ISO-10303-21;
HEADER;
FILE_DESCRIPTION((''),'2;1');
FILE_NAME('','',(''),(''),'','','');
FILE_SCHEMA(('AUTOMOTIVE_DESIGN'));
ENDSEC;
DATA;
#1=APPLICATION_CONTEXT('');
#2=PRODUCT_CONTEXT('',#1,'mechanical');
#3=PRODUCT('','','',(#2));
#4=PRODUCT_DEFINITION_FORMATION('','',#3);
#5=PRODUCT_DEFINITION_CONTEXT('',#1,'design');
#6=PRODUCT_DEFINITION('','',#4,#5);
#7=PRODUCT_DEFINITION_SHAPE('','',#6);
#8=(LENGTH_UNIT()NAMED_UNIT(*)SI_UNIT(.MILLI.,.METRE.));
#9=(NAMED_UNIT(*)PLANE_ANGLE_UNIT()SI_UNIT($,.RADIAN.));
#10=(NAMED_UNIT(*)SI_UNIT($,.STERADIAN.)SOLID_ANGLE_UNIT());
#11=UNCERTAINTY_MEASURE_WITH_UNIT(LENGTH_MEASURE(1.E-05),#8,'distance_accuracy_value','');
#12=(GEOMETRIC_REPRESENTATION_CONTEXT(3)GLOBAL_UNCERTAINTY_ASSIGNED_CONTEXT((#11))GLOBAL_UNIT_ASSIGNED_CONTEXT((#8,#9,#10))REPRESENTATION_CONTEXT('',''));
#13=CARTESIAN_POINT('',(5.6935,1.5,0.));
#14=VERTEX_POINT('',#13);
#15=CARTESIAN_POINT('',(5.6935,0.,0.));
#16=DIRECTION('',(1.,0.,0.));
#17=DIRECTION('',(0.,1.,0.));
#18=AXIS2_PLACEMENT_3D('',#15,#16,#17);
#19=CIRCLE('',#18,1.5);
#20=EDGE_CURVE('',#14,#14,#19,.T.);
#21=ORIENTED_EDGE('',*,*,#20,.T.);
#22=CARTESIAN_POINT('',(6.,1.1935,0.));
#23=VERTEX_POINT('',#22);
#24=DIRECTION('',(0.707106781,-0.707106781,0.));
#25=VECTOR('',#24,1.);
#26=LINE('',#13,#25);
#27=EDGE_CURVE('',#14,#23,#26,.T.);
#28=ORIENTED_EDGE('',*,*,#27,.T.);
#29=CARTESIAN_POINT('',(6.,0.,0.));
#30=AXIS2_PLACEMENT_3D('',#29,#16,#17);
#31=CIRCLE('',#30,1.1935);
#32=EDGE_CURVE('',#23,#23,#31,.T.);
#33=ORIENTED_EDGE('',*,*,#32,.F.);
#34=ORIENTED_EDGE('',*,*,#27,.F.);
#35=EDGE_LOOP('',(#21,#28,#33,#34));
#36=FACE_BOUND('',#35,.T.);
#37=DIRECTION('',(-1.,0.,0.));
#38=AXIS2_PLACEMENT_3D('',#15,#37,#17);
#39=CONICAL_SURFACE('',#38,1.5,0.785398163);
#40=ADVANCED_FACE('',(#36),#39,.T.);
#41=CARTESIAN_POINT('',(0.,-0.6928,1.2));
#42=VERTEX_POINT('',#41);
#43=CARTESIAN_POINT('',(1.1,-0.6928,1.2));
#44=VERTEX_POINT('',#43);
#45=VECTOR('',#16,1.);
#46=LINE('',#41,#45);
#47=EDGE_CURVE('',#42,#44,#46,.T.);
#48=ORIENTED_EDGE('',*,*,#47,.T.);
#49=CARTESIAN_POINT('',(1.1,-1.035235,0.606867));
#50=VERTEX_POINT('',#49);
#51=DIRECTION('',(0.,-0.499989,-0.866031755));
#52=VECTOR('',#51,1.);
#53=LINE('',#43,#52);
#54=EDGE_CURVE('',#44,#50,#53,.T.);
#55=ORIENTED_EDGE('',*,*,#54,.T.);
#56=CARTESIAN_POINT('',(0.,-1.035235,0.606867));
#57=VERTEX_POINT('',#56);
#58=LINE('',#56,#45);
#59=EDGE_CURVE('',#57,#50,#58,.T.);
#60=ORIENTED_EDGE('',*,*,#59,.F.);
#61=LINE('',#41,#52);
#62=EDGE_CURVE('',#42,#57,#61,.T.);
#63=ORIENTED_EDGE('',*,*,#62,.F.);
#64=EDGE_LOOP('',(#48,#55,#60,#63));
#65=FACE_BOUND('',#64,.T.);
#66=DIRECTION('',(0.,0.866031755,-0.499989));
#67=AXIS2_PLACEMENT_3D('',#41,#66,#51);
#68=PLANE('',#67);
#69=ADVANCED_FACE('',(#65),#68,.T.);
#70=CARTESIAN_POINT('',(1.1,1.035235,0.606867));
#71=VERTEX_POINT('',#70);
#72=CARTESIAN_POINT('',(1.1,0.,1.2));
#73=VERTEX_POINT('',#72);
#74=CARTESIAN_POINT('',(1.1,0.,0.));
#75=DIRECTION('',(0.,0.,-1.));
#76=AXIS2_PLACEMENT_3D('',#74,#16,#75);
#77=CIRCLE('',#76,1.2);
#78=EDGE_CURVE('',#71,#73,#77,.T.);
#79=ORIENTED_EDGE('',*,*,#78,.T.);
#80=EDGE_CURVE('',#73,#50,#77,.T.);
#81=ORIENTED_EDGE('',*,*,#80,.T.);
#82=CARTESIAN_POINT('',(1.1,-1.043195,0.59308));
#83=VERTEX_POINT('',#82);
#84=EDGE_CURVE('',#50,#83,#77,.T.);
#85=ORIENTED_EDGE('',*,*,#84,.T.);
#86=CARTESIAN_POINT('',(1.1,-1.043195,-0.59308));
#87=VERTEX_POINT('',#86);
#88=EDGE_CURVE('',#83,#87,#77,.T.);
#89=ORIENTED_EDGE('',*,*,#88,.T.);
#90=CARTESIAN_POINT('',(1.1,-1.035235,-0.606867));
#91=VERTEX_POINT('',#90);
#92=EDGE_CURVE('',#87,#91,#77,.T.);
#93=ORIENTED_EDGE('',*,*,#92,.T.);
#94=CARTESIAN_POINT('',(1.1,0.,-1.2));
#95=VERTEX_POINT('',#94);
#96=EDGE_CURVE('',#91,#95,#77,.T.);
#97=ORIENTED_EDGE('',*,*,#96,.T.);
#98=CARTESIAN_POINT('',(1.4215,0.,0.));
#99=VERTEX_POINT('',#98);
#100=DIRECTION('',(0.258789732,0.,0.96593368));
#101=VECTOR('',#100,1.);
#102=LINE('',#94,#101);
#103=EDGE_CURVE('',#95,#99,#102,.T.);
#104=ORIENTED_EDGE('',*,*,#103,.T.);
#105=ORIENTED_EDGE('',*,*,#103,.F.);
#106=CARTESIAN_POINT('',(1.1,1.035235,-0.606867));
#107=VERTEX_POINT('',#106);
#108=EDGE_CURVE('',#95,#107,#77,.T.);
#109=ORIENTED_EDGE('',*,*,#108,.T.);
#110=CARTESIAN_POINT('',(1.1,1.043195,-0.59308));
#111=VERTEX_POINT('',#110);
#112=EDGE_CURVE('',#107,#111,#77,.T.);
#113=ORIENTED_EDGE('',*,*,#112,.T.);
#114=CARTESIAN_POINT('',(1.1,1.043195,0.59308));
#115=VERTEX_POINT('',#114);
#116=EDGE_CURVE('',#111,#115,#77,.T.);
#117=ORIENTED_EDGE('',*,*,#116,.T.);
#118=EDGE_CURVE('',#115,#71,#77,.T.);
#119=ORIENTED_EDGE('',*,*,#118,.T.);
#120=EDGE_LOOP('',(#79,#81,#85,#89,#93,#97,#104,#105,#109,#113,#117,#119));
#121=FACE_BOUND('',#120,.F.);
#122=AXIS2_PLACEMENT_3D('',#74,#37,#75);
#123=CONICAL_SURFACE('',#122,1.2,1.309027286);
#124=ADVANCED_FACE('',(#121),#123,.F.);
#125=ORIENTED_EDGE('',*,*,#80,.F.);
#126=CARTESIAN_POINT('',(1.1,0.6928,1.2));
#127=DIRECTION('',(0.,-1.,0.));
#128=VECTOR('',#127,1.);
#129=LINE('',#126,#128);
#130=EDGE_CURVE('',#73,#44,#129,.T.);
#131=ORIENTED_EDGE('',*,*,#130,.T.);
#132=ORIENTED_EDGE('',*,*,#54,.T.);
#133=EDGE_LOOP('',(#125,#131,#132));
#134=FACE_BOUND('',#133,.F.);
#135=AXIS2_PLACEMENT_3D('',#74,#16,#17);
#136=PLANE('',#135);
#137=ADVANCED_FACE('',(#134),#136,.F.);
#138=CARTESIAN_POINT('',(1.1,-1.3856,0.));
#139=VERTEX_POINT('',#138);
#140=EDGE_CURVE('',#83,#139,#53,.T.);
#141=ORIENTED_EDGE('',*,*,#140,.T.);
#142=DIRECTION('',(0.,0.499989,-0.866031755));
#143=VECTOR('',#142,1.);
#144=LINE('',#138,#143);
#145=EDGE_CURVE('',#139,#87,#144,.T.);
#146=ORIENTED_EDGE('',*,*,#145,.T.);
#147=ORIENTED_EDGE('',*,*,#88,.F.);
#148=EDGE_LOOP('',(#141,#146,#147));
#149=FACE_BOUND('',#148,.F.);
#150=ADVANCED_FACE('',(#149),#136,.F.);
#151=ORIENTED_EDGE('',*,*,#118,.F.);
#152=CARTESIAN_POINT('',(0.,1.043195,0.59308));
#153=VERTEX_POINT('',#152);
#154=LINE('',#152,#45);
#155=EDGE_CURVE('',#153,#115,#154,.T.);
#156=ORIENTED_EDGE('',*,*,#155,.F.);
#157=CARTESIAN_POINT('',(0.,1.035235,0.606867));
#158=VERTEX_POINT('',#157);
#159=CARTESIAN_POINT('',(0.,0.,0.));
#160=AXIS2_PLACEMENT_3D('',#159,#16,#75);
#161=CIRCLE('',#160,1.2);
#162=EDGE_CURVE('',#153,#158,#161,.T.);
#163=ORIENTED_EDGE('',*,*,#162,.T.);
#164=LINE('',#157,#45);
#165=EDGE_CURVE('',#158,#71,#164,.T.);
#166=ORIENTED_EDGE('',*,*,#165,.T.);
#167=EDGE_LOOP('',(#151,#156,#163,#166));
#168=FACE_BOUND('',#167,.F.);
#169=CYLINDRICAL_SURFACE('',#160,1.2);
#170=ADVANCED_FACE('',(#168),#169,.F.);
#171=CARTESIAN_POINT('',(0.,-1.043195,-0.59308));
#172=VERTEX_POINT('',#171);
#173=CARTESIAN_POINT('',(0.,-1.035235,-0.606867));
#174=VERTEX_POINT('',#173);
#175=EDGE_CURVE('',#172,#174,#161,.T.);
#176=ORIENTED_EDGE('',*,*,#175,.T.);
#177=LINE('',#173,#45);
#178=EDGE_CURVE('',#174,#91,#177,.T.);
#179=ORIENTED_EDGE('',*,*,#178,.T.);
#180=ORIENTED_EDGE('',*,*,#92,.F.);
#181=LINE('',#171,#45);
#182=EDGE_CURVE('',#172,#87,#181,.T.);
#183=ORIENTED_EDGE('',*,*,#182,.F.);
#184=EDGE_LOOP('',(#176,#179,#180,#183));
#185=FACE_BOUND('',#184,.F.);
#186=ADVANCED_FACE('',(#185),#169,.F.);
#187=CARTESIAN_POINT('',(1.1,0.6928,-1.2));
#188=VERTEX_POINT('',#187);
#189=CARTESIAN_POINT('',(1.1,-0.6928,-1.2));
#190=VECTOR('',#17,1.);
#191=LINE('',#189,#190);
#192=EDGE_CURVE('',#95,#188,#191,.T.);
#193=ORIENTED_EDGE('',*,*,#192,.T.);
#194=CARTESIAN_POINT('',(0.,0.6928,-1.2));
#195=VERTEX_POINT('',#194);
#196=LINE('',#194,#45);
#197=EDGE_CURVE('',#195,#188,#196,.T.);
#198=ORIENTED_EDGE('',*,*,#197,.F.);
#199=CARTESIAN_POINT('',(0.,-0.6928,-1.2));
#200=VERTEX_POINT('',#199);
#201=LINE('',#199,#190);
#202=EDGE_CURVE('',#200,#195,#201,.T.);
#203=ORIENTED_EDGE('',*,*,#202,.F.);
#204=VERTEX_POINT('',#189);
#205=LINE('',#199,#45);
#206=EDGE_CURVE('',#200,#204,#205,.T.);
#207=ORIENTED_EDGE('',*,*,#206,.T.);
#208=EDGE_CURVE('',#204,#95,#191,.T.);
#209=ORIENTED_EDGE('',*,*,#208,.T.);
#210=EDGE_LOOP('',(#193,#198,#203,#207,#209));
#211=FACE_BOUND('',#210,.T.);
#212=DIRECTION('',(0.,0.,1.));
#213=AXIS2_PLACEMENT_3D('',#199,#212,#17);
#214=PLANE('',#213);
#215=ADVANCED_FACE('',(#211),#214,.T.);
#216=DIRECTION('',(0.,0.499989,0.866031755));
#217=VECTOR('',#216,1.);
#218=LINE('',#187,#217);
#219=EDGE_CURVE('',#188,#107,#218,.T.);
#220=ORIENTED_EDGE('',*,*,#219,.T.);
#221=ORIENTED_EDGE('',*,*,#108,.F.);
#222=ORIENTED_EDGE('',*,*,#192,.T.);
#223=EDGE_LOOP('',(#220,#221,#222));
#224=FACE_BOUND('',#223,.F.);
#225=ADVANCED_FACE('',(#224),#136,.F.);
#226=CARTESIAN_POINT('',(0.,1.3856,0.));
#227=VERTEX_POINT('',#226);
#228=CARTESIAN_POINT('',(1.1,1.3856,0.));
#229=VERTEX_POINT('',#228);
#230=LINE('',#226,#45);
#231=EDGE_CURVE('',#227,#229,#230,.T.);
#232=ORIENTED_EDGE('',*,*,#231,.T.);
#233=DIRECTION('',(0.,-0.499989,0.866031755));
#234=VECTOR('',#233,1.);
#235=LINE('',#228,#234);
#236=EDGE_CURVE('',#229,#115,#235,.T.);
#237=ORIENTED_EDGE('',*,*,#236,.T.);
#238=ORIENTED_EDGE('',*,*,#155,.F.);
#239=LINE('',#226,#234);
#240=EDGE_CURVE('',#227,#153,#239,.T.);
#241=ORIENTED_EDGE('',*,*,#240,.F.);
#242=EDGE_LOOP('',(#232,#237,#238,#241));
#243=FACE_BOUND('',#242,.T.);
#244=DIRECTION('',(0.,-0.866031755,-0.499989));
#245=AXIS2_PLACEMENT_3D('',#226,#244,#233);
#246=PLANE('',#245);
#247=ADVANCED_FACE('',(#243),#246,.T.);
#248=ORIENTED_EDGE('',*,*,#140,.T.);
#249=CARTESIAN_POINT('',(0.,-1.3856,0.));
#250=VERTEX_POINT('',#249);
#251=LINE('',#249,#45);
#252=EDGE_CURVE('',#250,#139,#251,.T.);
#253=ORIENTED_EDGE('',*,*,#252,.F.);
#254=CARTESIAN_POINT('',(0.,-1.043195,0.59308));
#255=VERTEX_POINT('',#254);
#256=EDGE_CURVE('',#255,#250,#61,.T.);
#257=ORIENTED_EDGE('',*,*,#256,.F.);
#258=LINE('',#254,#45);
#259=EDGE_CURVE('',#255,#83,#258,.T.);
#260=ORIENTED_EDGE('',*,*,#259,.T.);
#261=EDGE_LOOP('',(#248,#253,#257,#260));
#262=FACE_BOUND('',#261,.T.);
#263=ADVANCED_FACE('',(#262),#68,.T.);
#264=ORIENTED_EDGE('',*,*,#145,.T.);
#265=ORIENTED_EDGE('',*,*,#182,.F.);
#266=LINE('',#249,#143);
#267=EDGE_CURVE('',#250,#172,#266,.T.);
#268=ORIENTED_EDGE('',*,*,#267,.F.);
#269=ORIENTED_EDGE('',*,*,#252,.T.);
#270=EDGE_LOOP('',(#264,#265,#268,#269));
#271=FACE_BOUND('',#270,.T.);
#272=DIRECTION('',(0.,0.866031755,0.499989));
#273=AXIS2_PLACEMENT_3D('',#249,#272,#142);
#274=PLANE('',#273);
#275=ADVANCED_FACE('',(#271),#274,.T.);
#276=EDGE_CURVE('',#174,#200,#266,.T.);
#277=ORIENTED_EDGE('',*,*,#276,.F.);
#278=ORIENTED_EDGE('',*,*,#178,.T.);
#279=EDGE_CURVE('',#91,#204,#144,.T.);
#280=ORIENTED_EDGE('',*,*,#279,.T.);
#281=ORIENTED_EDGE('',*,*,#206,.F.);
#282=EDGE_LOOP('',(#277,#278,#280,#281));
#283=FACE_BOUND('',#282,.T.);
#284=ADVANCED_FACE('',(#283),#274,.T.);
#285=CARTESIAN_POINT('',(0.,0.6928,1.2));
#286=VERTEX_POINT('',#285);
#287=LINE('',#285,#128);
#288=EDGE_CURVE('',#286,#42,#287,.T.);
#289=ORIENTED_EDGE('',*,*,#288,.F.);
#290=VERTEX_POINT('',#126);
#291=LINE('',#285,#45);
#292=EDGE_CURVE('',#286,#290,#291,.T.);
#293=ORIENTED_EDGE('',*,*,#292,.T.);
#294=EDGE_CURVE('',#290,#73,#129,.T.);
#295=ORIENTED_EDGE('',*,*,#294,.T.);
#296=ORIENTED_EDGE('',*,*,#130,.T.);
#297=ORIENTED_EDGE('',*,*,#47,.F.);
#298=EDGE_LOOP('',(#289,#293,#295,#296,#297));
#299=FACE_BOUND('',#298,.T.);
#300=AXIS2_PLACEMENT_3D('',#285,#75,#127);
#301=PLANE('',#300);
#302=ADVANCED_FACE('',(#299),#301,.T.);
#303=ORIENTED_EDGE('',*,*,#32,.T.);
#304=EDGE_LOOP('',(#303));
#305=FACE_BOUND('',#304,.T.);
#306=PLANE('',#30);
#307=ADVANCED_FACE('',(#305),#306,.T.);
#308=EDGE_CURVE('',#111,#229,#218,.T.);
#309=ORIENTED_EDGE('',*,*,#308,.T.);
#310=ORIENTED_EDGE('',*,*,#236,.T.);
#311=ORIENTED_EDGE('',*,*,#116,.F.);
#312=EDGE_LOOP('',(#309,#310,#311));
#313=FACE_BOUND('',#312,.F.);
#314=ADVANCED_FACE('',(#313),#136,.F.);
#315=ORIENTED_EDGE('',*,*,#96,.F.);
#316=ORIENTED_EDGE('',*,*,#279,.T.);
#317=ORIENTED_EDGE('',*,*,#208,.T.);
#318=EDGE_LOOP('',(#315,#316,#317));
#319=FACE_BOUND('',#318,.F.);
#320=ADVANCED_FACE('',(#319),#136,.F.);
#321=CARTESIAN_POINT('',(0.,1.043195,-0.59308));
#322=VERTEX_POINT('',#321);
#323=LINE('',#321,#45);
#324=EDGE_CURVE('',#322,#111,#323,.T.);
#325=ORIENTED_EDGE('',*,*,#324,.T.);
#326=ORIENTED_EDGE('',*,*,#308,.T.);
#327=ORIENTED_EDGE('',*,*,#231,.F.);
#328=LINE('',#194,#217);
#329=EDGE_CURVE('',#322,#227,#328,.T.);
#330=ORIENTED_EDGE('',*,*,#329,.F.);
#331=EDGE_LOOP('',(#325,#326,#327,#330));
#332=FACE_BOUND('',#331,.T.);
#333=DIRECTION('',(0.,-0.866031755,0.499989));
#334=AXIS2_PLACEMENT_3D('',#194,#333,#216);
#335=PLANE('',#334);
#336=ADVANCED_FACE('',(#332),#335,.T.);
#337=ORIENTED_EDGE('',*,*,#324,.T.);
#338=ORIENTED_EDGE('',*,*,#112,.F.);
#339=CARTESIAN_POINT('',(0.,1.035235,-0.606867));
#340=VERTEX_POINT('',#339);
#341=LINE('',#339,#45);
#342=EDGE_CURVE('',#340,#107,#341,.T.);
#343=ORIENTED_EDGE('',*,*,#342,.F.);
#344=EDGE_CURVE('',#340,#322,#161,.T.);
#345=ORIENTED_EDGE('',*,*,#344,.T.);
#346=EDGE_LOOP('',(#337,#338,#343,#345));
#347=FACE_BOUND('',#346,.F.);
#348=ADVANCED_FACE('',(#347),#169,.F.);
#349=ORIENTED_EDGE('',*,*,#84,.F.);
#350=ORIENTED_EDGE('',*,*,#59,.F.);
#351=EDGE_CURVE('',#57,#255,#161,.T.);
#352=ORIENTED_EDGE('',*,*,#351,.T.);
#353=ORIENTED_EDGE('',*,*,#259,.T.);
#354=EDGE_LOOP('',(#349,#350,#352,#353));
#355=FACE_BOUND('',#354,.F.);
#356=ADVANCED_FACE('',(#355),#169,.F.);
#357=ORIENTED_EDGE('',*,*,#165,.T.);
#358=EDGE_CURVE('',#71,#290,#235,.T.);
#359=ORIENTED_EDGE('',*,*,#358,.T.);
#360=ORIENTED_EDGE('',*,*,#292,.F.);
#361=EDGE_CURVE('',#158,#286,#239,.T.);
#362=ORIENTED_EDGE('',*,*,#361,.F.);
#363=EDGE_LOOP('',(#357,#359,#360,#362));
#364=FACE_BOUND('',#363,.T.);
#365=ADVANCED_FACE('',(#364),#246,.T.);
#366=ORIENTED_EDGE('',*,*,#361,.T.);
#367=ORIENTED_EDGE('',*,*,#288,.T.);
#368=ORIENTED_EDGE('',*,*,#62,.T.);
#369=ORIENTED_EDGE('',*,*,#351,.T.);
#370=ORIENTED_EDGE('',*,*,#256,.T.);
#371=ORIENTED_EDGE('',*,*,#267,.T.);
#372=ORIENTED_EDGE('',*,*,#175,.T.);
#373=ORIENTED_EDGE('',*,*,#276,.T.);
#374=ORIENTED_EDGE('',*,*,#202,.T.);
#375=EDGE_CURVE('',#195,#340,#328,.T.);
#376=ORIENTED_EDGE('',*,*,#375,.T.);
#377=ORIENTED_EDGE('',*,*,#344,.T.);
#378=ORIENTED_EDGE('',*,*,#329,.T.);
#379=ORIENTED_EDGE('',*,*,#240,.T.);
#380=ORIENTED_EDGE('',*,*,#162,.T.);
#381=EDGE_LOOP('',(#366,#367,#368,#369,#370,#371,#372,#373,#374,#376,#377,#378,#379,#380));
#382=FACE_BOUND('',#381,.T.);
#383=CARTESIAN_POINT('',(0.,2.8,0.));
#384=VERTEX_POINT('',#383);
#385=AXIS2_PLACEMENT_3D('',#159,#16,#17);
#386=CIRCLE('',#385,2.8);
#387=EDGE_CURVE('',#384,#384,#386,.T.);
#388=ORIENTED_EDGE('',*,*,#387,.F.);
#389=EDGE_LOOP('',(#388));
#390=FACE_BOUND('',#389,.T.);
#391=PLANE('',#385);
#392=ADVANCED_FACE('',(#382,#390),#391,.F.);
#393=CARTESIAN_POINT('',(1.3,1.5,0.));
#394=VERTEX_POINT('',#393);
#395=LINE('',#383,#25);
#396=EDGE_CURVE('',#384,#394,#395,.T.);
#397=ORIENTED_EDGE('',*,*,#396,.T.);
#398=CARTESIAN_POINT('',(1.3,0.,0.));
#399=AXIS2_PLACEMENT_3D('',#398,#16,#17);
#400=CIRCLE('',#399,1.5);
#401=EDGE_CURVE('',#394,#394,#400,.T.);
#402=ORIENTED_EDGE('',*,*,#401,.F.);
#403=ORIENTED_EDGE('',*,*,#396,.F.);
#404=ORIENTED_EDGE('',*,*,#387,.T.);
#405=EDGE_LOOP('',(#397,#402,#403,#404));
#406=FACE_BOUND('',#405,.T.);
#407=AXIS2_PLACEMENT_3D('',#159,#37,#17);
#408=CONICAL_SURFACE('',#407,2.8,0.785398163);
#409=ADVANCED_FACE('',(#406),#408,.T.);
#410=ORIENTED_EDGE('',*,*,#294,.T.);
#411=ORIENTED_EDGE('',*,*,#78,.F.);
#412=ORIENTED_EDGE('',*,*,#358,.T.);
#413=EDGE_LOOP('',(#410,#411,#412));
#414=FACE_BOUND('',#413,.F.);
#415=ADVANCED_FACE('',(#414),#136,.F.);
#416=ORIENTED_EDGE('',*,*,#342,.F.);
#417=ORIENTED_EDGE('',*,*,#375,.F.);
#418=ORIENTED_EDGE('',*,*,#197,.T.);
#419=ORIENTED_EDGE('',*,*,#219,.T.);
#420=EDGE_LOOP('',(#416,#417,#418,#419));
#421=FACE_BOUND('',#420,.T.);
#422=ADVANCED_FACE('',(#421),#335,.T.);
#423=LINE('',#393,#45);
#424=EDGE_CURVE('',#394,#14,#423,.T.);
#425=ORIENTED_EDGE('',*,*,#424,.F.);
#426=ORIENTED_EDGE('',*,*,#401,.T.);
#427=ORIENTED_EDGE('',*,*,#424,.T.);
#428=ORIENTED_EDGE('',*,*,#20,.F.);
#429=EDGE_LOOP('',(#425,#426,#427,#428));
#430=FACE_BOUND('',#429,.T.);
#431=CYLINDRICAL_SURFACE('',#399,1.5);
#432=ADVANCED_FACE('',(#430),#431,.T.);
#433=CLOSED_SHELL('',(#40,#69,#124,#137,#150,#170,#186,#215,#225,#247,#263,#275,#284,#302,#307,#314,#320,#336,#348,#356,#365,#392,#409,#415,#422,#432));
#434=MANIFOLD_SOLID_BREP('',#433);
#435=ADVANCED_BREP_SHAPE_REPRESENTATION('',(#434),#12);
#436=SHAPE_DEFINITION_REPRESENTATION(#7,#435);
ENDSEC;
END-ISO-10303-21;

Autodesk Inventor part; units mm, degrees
sketch "Sketch_8" plane through (0, 0, 0) normal (0, 0, 1) x (1, 0, 0)
  line L0 (6, 0) -> (0, 0)
  line L1 (0, 0) -> (0, 2.8)
  line L2 (0, 2.8) -> (1.3, 1.5)
  line L3 (1.3, 1.5) -> (5.6935, 1.5)
  line L4 (5.6935, 1.5) -> (6, 1.1935)
  line L5 (6, 1.1935) -> (6, 0)
  line L6 (6, 0) -> (0, 0)
revolve "Revolution1" add sketch "Sketch_8" angle 360 about axis through (6, 0, 0) along (1, 0, 0)
thread "Thread1" size "M3x0.5" class "6g" standard "ISO Metric profile" length 3.25 offset 1.45
sketch "Sketch_9" plane through (0, 0, 0) normal (0, 1, 0) x (-1, 0, 0)
  line L0 (-1.4215, 0) -> (0, 0)
  line L1 (0, 0) -> (0, -1.2)
  line L2 (0, -1.2) -> (-1.1, -1.2)
  line L3 (-1.1, -1.2) -> (-1.4215, 0)
  line L4 (-1.4215, 0) -> (0, 0)
revolve "Revolution2" cut sketch "Sketch_9" angle 360 about axis through (1.4215, 0, 0) along (1, 0, 0)
sketch "Sketch_10" plane through (0, 0, 0) normal (1, 0, 0) x (0, 1, 0)
  line L0 (0.6928, 1.2) -> (-0.6928, 1.2)
  line L1 (-0.6928, 1.2) -> (-1.3856, 0)
  line L2 (-1.3856, 0) -> (-0.6928, -1.2)
  line L3 (-0.6928, -1.2) -> (0.6928, -1.2)
  line L4 (0.6928, -1.2) -> (1.3856, 0)
  line L5 (1.3856, 0) -> (0.6928, 1.2)
extrude "Extrusion1" cut sketch "Sketch_10" along normal blind 1.1
ref_plane "screw_XY" through (5.5, 0, 0) normal (1, 0, 0) x (0, 0, -1)
ref_plane "screw_YZ" through (5.5, 0, 0) normal (0, 0, -1) x (0, 1, 0)
ref_plane "screw_ZX" through (5.5, 0, 0) normal (0, 1, 0) x (1, 0, 0)
ref_plane "to_nut_XY" through (6, 0, 0) normal (1, 0, 0) x (0, 0, -1)
ref_plane "to_nut_YZ" through (6, 0, 0) normal (0, 0, -1) x (0, 1, 0)
ref_plane "to_nut_ZX" through (6, 0, 0) normal (0, 1, 0) x (1, 0, 0)
ref_plane "xx_XY" through (0.8, 0, 0) normal (1, 0, 0) x (0, 0, -1)
ref_plane "xx_YZ" through (0.8, 0, 0) normal (0, 0, -1) x (0, 1, 0)
ref_plane "xx_ZX" through (0.8, 0, 0) normal (0, 1, 0) x (1, 0, 0)
properties part number "FB3-6s"
